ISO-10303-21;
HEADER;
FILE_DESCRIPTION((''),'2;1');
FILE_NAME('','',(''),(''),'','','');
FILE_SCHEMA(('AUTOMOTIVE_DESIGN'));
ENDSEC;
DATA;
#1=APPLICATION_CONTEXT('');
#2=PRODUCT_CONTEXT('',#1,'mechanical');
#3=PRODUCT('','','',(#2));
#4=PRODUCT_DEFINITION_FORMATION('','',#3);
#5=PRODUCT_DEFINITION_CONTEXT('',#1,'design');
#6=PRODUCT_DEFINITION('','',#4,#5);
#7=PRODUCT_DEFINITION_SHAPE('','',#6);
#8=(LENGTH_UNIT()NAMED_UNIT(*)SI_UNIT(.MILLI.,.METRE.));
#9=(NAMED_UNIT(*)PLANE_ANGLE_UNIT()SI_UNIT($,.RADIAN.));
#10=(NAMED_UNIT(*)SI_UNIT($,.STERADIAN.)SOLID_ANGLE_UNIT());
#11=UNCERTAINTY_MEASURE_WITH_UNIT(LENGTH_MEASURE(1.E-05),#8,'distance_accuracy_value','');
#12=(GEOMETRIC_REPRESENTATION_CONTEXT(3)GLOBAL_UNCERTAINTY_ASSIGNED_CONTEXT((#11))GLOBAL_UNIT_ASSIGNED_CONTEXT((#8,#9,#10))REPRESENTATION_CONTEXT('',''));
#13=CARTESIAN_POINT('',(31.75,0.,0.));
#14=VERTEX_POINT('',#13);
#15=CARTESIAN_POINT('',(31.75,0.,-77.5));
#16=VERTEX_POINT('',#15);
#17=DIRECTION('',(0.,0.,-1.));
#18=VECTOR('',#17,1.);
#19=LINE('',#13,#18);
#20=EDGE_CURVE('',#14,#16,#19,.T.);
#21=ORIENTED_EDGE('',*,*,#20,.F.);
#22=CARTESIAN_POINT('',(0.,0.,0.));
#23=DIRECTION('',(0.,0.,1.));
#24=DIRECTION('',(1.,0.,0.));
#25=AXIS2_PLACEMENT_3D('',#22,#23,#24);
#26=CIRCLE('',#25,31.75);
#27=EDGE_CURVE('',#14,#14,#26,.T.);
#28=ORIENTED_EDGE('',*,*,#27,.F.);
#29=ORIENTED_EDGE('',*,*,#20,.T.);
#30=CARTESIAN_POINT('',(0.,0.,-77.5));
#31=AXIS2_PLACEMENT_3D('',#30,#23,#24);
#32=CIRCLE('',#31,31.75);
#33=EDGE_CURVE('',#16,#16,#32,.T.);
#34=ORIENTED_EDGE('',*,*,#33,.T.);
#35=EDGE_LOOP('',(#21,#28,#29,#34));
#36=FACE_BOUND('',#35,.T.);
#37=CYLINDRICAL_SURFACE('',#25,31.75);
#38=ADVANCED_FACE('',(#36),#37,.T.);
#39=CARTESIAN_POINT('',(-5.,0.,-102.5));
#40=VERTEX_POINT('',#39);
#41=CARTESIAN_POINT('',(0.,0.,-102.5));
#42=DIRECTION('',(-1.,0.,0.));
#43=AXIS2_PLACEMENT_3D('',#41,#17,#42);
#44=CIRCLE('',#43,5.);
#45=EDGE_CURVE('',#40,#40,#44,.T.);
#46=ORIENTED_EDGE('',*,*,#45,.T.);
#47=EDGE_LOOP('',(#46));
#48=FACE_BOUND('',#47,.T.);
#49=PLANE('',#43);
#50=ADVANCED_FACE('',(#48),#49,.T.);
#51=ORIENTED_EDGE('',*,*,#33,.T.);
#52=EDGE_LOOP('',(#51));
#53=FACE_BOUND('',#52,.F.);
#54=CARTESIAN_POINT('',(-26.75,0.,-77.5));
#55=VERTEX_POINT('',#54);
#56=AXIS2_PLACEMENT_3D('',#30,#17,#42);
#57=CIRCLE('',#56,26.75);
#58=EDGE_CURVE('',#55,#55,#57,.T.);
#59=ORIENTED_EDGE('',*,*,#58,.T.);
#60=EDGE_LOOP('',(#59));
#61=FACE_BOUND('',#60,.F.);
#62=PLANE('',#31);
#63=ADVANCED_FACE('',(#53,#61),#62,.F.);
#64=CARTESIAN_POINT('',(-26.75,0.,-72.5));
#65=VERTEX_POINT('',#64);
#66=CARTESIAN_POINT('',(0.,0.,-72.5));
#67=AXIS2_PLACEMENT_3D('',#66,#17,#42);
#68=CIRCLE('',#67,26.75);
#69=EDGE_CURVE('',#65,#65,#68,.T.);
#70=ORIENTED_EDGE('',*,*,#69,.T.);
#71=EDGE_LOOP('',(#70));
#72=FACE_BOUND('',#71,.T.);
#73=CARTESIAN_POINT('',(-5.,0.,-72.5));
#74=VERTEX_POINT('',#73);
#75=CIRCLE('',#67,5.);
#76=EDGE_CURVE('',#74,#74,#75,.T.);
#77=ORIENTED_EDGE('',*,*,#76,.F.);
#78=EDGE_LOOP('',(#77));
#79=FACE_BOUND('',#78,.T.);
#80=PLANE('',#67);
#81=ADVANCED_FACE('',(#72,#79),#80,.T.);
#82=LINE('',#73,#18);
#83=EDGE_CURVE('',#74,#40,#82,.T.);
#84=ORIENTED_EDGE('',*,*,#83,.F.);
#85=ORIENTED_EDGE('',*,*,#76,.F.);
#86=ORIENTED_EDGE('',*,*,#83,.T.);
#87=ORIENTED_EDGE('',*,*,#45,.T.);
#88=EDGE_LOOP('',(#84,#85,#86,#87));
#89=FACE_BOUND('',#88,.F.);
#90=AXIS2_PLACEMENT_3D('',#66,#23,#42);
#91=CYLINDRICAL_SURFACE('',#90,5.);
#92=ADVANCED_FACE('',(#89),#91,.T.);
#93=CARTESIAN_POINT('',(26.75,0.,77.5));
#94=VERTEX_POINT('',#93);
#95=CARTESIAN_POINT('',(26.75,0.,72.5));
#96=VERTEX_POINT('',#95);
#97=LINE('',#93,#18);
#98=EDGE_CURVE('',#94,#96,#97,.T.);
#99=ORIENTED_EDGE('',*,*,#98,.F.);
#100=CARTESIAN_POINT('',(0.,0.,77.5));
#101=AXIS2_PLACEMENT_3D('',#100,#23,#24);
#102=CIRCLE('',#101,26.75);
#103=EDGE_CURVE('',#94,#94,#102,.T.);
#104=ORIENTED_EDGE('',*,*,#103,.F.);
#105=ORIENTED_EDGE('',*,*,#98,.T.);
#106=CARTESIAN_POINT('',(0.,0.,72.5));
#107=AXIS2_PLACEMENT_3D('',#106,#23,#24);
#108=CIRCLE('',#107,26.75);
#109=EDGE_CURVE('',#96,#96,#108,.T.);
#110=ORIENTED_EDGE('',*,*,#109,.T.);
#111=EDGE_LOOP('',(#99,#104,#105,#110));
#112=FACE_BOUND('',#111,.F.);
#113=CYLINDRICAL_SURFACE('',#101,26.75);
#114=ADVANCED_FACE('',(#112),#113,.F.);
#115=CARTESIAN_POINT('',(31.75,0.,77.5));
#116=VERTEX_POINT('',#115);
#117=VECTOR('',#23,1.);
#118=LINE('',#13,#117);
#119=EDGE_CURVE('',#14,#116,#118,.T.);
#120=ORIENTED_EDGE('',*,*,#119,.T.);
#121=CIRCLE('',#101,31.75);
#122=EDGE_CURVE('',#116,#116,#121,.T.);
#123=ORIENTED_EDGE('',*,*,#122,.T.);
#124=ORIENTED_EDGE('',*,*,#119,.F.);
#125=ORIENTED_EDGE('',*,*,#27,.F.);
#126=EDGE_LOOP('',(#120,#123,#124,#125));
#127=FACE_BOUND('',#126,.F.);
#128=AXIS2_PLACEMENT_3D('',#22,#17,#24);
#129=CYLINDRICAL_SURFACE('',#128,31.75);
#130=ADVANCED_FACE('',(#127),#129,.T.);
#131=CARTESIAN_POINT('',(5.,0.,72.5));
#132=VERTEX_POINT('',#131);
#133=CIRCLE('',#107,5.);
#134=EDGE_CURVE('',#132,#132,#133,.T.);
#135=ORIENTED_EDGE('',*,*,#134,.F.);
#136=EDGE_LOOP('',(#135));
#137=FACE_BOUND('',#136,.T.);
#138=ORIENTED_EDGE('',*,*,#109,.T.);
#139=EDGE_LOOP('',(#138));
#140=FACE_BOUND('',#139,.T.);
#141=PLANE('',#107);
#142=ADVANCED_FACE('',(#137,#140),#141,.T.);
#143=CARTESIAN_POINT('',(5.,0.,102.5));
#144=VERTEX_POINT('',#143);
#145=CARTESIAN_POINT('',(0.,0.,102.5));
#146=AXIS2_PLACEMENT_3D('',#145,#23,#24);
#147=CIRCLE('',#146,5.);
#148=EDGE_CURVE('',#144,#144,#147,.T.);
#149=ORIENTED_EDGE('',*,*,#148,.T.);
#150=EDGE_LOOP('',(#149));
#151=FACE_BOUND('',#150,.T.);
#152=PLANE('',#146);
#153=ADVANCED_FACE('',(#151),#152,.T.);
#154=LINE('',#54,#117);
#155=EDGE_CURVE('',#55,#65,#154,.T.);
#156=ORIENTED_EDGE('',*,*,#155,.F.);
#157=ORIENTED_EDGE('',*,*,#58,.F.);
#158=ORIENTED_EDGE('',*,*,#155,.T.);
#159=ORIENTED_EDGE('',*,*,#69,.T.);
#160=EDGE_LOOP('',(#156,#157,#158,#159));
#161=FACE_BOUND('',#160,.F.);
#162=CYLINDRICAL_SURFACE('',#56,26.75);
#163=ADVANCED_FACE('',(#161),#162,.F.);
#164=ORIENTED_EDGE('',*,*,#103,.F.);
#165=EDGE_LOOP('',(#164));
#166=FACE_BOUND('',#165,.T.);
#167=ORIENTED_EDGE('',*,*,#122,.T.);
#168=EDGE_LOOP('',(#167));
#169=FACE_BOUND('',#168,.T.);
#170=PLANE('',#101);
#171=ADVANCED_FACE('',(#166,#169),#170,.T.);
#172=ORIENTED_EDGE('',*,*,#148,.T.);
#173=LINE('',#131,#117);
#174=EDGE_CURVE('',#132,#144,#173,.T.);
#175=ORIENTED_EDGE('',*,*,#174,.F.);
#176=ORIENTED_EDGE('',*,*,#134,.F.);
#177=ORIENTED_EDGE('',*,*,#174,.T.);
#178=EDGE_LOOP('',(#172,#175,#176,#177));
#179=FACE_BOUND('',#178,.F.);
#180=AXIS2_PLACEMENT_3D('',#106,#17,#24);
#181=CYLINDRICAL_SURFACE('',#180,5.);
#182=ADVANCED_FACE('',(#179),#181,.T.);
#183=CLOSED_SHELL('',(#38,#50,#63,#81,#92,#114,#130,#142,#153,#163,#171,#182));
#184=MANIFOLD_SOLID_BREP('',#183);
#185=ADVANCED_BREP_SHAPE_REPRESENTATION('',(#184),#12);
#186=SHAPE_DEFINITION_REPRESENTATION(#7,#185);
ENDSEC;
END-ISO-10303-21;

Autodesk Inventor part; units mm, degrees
ref_plane "YZ Plane" through (0, 0, 0) normal (1, 0, 0) x (0, 1, 0)
ref_plane "XZ Plane" through (0, 0, 0) normal (0, 1, 0) x (-1, 0, 0)
ref_plane "XY Plane" through (0, 0, 0) normal (0, 0, 1) x (1, 0, 0)
sketch "Sketch1" plane through (0, 0, 0) normal (0, 0, 1) x (1, 0, 0)
  circle A0 centre (0, 0) radius 31.75
  dimension "d0" = 31.75
extrude "Extrusion1" add sketch "Sketch1" along normal mid plane 155
sketch "Sketch2" plane through (0, 0, -77.5) normal (0, 0, -1) x (-1, 0, 0)
  circle A0 centre (0, 0) radius 26.75
  dimension "d3" = 26.75
extrude "Extrusion2" cut sketch "Sketch2" against normal blind 5
sketch "Sketch3" plane through (0, 0, 77.5) normal (0, 0, 1) x (1, 0, 0)
  circle A0 centre (0, 0) radius 26.75
  dimension "d6" = 26.75
extrude "Extrusion3" cut sketch "Sketch3" against normal blind 5
sketch "Sketch4" plane through (0, 0, -72.5) normal (0, 0, -1) x (-1, 0, 0)
  circle A0 centre (0, 0) radius 5
  dimension "d9" = 5
extrude "Extrusion4" add sketch "Sketch4" along normal blind 30
sketch "Sketch5" plane through (0, 0, 72.5) normal (0, 0, 1) x (1, 0, 0)
  circle A0 centre (0, 0) radius 5
  dimension "d12" = 5
extrude "Extrusion5" add sketch "Sketch5" along normal blind 30
properties part number "Rodo"
